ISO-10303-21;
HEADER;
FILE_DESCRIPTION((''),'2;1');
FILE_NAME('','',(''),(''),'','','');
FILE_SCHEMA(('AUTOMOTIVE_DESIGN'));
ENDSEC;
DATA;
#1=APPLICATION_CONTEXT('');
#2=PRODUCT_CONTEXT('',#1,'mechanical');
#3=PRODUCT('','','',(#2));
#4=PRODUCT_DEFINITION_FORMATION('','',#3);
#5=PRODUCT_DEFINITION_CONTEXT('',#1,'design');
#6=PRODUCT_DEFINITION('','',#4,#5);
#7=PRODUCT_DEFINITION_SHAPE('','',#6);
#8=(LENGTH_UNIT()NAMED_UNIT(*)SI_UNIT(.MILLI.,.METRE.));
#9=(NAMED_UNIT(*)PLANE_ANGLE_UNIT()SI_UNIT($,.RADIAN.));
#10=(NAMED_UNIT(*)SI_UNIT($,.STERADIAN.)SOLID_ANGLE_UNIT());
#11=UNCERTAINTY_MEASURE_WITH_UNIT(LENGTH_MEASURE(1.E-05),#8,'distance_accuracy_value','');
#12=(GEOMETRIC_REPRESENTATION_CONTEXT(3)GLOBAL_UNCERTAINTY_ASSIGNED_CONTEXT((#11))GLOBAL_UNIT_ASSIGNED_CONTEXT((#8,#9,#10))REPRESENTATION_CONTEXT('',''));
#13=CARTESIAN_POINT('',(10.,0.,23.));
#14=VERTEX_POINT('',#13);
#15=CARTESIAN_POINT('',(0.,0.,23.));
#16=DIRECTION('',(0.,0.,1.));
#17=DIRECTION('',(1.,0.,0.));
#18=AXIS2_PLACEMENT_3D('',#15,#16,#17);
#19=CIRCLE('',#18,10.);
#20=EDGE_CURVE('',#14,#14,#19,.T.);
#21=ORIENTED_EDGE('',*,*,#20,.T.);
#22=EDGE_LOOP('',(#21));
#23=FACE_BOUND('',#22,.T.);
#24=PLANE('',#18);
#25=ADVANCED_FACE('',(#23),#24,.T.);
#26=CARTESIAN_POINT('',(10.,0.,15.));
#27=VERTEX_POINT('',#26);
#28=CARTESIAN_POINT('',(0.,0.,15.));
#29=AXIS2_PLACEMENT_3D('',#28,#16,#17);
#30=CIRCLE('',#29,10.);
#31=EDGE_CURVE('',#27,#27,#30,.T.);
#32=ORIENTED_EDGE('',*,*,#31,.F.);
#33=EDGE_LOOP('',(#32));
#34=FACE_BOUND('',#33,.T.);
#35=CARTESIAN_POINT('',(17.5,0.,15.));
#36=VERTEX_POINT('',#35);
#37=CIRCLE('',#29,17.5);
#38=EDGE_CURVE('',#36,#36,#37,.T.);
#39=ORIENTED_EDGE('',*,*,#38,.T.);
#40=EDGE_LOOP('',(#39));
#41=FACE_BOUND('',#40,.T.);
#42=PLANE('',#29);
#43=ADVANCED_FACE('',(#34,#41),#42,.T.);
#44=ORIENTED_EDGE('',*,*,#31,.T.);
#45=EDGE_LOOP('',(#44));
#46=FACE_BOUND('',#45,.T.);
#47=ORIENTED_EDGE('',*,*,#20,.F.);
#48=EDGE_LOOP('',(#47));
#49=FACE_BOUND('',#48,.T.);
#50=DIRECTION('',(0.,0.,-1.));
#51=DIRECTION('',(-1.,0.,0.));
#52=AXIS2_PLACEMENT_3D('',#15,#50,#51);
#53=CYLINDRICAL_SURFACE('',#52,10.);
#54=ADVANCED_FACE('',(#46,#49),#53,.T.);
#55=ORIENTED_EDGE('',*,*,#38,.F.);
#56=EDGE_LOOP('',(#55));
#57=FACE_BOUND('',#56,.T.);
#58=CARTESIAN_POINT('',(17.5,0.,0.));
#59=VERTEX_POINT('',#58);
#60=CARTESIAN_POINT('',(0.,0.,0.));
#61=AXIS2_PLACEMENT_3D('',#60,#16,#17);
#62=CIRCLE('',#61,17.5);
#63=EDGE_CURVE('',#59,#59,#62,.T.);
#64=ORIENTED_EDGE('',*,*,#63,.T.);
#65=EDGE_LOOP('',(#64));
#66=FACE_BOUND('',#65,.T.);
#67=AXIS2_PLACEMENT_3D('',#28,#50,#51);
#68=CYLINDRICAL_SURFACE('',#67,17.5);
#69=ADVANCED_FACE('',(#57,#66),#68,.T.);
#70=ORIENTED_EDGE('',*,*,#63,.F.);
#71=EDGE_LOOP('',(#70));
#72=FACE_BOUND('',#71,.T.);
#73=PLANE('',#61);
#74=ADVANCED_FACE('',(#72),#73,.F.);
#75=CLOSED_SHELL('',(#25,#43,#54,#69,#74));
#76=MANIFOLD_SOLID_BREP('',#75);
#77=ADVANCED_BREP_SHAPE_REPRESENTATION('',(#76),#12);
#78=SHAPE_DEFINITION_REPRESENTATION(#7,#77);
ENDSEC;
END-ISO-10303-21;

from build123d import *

# Parameters (mm, degrees)
SKETCH1_R           = 17.5
BOSS_EXTRUDE1_DEPTH = 15
SKETCH2_R           = 10
BOSS_EXTRUDE2_DEPTH = 8


with BuildPart() as part:
    # Sketch1 → Boss-Extrude1 (new body)
    with BuildSketch(Plane.XY):
        Circle(SKETCH1_R)
    extrude(amount=BOSS_EXTRUDE1_DEPTH)

    # Sketch2 → Boss-Extrude2 (add)
    with BuildSketch(Plane.XY.offset(15)):
        Circle(SKETCH2_R)
    extrude(amount=BOSS_EXTRUDE2_DEPTH)


solid = part.part
